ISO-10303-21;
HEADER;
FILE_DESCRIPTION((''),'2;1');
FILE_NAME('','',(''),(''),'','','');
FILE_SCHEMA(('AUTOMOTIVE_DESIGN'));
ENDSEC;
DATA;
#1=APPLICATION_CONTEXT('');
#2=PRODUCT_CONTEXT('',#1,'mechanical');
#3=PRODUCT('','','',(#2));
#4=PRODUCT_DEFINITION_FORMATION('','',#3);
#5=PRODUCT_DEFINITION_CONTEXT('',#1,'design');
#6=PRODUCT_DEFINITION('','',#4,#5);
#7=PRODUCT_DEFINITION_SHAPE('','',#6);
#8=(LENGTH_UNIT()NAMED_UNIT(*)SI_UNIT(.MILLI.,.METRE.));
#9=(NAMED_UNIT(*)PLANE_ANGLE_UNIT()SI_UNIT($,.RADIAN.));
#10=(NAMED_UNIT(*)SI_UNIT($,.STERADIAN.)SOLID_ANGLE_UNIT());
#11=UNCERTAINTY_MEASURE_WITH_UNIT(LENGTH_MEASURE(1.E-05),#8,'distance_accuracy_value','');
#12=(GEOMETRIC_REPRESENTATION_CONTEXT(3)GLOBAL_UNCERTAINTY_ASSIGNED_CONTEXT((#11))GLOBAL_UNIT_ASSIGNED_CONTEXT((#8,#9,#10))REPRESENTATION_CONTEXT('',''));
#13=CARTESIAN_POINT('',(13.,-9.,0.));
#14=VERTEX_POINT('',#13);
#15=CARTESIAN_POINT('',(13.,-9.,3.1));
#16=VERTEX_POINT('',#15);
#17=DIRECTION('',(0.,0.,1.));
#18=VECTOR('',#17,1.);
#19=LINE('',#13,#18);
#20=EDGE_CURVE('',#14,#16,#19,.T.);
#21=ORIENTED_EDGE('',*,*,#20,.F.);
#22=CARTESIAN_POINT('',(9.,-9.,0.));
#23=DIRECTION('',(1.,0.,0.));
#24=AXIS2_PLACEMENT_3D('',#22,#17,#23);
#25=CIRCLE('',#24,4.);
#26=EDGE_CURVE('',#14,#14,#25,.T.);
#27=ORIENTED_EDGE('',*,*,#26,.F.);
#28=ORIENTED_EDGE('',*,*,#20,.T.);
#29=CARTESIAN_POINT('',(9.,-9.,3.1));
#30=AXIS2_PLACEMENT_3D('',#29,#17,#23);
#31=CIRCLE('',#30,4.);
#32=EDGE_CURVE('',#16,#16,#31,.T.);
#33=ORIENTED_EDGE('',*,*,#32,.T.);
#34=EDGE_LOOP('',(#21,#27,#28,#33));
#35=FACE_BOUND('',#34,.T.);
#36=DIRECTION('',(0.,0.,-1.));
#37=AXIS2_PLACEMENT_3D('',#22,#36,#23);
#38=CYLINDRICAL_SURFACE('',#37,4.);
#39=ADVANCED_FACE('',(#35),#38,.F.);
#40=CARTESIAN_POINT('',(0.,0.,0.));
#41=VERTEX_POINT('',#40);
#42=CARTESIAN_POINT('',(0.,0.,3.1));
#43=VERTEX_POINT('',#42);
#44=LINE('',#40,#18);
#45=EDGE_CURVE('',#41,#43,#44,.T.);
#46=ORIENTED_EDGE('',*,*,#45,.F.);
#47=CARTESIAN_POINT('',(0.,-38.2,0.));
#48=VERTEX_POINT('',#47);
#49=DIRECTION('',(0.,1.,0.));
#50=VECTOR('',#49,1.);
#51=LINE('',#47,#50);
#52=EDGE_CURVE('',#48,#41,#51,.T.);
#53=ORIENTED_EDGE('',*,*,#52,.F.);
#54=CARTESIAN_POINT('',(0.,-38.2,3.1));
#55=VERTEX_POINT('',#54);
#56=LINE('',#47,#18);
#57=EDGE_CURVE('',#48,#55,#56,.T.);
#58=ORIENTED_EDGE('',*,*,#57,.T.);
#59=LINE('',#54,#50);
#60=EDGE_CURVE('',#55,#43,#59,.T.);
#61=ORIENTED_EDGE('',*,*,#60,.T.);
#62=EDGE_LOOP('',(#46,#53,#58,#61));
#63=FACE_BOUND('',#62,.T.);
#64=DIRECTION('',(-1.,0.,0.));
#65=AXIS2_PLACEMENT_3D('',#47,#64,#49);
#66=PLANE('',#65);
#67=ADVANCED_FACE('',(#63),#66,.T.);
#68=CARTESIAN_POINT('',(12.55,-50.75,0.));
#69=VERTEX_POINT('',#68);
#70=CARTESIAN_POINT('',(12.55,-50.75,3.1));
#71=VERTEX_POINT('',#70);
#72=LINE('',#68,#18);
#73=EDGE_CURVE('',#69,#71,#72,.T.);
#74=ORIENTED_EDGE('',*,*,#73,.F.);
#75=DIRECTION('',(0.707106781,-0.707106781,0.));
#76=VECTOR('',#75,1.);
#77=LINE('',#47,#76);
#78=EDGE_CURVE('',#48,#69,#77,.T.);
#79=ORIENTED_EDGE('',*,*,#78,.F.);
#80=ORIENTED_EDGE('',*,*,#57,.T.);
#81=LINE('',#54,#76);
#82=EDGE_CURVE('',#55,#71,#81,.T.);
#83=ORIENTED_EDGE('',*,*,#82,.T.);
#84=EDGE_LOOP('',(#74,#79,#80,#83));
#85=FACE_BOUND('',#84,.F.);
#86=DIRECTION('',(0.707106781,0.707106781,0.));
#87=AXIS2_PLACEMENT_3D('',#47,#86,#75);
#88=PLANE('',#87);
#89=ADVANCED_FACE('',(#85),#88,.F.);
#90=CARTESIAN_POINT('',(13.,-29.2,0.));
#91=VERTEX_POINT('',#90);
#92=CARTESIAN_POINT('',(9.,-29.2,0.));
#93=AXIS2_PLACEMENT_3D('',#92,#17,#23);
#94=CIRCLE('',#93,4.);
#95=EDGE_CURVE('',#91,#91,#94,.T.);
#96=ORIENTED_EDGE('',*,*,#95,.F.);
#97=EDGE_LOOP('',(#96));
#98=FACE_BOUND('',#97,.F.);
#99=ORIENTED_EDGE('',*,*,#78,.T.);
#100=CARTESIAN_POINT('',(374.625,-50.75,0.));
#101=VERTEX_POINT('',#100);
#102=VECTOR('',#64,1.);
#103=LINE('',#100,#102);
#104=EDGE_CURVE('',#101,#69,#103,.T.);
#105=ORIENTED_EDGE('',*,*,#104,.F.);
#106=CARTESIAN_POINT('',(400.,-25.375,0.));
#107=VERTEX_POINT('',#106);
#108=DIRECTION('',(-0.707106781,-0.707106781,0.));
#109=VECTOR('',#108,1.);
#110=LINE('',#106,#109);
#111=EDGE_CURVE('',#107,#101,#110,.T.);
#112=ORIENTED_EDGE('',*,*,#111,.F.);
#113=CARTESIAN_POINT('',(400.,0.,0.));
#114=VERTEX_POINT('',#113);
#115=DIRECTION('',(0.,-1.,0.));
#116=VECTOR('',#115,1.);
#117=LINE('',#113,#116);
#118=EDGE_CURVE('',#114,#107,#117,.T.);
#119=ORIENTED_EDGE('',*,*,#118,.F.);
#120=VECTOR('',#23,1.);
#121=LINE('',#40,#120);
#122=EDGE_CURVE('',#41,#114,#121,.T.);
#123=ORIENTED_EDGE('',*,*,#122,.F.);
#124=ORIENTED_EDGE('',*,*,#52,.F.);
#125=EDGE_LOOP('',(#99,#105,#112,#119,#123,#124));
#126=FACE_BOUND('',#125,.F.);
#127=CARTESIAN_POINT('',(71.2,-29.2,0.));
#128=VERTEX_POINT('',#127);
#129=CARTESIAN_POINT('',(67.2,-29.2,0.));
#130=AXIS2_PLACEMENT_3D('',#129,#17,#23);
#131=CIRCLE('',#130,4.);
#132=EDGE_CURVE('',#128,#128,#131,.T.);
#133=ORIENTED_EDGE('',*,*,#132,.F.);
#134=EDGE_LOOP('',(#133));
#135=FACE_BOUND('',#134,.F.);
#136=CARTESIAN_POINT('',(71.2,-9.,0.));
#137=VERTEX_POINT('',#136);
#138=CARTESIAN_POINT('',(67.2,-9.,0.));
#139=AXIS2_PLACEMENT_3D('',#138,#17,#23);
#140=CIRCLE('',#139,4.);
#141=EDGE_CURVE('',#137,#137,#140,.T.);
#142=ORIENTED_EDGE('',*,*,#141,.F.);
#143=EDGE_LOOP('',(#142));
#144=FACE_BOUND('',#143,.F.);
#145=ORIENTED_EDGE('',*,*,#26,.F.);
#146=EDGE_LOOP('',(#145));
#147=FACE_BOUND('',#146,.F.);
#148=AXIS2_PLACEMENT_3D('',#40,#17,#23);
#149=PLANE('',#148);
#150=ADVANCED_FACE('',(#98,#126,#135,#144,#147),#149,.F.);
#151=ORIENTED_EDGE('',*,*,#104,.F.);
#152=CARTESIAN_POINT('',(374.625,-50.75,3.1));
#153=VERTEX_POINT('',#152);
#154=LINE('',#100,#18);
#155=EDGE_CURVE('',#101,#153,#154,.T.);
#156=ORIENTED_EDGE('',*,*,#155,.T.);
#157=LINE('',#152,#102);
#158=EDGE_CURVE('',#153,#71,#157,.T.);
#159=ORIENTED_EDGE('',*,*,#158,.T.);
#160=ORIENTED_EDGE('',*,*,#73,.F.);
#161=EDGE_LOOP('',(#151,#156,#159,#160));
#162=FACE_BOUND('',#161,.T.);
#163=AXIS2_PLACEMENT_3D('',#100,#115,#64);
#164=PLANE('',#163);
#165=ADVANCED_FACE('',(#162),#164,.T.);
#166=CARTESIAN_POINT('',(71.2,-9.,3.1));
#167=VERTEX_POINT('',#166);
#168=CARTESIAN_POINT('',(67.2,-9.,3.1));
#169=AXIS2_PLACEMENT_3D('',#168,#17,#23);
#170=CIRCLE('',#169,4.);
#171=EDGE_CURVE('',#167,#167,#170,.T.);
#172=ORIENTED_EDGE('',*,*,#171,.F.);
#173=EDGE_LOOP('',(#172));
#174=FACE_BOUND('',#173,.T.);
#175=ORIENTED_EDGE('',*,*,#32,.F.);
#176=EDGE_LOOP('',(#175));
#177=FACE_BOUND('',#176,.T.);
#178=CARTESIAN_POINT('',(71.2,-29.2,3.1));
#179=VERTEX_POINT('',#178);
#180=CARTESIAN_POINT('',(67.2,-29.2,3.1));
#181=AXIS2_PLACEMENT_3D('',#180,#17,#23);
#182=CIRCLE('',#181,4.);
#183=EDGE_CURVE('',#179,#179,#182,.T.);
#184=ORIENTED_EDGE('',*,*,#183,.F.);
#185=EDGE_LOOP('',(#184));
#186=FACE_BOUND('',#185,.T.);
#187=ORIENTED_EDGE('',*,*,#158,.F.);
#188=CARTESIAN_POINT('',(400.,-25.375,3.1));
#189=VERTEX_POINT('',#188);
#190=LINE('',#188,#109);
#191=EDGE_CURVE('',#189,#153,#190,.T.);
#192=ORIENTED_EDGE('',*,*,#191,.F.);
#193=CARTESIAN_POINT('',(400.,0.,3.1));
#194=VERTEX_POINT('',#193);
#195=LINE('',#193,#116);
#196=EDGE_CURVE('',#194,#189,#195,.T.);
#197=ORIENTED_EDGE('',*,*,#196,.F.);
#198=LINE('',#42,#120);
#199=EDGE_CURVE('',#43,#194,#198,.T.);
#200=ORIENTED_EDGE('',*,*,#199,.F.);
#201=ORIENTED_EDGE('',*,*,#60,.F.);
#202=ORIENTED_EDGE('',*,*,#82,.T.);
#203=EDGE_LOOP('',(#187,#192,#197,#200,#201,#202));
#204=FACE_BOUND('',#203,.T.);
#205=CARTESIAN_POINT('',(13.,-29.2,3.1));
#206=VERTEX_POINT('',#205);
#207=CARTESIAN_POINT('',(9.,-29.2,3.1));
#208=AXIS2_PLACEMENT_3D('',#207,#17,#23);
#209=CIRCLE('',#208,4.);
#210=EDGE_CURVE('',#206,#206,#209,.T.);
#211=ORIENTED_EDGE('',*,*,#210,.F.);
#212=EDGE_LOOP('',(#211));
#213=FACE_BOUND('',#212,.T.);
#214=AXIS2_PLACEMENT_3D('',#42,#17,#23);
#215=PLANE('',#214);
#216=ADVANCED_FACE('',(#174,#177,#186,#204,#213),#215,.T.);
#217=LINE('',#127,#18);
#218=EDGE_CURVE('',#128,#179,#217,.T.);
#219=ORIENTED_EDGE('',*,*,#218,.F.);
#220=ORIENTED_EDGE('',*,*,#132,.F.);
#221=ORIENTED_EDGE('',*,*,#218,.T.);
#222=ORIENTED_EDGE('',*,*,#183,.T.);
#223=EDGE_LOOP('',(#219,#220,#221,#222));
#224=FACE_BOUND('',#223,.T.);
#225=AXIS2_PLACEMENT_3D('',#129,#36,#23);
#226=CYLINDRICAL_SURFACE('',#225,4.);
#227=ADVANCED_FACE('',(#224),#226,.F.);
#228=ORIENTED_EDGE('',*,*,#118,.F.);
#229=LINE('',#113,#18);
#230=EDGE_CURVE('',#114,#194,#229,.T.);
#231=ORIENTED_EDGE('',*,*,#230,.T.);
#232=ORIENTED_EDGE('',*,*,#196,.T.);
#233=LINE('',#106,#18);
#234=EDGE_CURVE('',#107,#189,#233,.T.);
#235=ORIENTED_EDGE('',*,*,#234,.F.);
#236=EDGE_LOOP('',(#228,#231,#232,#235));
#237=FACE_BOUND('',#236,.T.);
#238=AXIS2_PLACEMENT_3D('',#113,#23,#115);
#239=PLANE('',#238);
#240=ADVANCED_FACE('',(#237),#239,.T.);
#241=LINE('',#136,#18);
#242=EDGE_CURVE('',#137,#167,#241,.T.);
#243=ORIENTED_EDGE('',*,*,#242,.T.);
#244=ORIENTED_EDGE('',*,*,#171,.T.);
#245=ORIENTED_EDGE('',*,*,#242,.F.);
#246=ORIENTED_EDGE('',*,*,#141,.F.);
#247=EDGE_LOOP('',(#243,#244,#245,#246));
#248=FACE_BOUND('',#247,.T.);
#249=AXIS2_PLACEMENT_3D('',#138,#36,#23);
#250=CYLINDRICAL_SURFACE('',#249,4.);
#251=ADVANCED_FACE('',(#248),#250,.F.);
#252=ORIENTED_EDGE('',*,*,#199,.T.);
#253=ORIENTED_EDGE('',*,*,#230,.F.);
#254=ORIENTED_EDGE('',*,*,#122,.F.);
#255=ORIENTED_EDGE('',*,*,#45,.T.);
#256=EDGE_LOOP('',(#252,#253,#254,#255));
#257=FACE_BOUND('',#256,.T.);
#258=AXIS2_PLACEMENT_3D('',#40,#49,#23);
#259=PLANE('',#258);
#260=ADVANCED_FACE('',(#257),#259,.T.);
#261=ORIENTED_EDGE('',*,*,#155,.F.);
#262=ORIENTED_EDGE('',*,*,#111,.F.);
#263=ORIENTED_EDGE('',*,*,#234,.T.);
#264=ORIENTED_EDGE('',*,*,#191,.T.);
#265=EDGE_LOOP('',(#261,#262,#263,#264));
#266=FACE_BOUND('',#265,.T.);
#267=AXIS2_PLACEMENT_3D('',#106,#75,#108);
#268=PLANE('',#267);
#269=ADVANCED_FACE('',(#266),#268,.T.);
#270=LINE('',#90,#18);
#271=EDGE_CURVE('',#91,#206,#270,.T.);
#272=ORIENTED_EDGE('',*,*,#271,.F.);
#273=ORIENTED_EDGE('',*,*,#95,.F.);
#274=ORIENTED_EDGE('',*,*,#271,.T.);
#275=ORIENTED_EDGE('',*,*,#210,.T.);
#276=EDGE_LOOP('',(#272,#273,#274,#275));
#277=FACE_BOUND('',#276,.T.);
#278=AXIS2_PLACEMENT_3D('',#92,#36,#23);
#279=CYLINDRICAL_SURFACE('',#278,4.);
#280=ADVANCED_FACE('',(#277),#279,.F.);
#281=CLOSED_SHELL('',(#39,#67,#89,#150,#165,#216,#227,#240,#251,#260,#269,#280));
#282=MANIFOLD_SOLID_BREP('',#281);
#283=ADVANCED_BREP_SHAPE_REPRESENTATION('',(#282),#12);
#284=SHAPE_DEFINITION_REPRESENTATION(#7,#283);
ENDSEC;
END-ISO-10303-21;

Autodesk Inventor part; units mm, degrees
ref_plane "YZ Plane" through (0, 0, 0) normal (1, 0, 0) x (0, 1, 0)
ref_plane "XZ Plane" through (0, 0, 0) normal (0, 1, 0) x (-1, 0, 0)
ref_plane "XY Plane" through (0, 0, 0) normal (0, 0, 1) x (1, 0, 0)
sketch "Sketch1" plane through (0, 0, 0) normal (0, 0, 1) x (1, 0, 0)
  line L0 (0, 0) -> (400, 0)
  line L1 (400, 0) -> (400, -25.375)
  line L2 (0, -38.2) -> (12.55, -50.75)
  line L3 (400, -25.375) -> (374.625, -50.75)
  line L4 (0, -38.2) -> (0, 0)
  line L5 (374.625, -50.75) -> (12.55, -50.75)
  circle A0 centre (9, -9) radius 4
  circle A1 centre (9, -29.2) radius 4
  circle A2 centre (67.2, -9) radius 4
  circle A3 centre (67.2, -29.2) radius 4
  dimension "d3" = 8
  dimension "d4" = 8
  dimension "d5" = 8
  dimension "d6" = 8
  dimension "d10" = 9
  dimension "d11" = 9
  dimension "d12" = 9
  dimension "d13" = 9
  dimension "d15" = 20.2
  dimension "d16" = 58.2
  dimension "d18" = 12.55
  dimension "d19" = 400
  dimension "d20" = 50.75
  dimension "d21" = 25.375
  dimension "d22" = 20.2
  dimension "d23" = 58.2
  dimension "d24" = 12.55
  dimension "d25" = 25.375
extrude "Extrusion1" add sketch "Sketch1" along normal blind 3.1
properties part number "SideBracket" material "Steel, Mild"
